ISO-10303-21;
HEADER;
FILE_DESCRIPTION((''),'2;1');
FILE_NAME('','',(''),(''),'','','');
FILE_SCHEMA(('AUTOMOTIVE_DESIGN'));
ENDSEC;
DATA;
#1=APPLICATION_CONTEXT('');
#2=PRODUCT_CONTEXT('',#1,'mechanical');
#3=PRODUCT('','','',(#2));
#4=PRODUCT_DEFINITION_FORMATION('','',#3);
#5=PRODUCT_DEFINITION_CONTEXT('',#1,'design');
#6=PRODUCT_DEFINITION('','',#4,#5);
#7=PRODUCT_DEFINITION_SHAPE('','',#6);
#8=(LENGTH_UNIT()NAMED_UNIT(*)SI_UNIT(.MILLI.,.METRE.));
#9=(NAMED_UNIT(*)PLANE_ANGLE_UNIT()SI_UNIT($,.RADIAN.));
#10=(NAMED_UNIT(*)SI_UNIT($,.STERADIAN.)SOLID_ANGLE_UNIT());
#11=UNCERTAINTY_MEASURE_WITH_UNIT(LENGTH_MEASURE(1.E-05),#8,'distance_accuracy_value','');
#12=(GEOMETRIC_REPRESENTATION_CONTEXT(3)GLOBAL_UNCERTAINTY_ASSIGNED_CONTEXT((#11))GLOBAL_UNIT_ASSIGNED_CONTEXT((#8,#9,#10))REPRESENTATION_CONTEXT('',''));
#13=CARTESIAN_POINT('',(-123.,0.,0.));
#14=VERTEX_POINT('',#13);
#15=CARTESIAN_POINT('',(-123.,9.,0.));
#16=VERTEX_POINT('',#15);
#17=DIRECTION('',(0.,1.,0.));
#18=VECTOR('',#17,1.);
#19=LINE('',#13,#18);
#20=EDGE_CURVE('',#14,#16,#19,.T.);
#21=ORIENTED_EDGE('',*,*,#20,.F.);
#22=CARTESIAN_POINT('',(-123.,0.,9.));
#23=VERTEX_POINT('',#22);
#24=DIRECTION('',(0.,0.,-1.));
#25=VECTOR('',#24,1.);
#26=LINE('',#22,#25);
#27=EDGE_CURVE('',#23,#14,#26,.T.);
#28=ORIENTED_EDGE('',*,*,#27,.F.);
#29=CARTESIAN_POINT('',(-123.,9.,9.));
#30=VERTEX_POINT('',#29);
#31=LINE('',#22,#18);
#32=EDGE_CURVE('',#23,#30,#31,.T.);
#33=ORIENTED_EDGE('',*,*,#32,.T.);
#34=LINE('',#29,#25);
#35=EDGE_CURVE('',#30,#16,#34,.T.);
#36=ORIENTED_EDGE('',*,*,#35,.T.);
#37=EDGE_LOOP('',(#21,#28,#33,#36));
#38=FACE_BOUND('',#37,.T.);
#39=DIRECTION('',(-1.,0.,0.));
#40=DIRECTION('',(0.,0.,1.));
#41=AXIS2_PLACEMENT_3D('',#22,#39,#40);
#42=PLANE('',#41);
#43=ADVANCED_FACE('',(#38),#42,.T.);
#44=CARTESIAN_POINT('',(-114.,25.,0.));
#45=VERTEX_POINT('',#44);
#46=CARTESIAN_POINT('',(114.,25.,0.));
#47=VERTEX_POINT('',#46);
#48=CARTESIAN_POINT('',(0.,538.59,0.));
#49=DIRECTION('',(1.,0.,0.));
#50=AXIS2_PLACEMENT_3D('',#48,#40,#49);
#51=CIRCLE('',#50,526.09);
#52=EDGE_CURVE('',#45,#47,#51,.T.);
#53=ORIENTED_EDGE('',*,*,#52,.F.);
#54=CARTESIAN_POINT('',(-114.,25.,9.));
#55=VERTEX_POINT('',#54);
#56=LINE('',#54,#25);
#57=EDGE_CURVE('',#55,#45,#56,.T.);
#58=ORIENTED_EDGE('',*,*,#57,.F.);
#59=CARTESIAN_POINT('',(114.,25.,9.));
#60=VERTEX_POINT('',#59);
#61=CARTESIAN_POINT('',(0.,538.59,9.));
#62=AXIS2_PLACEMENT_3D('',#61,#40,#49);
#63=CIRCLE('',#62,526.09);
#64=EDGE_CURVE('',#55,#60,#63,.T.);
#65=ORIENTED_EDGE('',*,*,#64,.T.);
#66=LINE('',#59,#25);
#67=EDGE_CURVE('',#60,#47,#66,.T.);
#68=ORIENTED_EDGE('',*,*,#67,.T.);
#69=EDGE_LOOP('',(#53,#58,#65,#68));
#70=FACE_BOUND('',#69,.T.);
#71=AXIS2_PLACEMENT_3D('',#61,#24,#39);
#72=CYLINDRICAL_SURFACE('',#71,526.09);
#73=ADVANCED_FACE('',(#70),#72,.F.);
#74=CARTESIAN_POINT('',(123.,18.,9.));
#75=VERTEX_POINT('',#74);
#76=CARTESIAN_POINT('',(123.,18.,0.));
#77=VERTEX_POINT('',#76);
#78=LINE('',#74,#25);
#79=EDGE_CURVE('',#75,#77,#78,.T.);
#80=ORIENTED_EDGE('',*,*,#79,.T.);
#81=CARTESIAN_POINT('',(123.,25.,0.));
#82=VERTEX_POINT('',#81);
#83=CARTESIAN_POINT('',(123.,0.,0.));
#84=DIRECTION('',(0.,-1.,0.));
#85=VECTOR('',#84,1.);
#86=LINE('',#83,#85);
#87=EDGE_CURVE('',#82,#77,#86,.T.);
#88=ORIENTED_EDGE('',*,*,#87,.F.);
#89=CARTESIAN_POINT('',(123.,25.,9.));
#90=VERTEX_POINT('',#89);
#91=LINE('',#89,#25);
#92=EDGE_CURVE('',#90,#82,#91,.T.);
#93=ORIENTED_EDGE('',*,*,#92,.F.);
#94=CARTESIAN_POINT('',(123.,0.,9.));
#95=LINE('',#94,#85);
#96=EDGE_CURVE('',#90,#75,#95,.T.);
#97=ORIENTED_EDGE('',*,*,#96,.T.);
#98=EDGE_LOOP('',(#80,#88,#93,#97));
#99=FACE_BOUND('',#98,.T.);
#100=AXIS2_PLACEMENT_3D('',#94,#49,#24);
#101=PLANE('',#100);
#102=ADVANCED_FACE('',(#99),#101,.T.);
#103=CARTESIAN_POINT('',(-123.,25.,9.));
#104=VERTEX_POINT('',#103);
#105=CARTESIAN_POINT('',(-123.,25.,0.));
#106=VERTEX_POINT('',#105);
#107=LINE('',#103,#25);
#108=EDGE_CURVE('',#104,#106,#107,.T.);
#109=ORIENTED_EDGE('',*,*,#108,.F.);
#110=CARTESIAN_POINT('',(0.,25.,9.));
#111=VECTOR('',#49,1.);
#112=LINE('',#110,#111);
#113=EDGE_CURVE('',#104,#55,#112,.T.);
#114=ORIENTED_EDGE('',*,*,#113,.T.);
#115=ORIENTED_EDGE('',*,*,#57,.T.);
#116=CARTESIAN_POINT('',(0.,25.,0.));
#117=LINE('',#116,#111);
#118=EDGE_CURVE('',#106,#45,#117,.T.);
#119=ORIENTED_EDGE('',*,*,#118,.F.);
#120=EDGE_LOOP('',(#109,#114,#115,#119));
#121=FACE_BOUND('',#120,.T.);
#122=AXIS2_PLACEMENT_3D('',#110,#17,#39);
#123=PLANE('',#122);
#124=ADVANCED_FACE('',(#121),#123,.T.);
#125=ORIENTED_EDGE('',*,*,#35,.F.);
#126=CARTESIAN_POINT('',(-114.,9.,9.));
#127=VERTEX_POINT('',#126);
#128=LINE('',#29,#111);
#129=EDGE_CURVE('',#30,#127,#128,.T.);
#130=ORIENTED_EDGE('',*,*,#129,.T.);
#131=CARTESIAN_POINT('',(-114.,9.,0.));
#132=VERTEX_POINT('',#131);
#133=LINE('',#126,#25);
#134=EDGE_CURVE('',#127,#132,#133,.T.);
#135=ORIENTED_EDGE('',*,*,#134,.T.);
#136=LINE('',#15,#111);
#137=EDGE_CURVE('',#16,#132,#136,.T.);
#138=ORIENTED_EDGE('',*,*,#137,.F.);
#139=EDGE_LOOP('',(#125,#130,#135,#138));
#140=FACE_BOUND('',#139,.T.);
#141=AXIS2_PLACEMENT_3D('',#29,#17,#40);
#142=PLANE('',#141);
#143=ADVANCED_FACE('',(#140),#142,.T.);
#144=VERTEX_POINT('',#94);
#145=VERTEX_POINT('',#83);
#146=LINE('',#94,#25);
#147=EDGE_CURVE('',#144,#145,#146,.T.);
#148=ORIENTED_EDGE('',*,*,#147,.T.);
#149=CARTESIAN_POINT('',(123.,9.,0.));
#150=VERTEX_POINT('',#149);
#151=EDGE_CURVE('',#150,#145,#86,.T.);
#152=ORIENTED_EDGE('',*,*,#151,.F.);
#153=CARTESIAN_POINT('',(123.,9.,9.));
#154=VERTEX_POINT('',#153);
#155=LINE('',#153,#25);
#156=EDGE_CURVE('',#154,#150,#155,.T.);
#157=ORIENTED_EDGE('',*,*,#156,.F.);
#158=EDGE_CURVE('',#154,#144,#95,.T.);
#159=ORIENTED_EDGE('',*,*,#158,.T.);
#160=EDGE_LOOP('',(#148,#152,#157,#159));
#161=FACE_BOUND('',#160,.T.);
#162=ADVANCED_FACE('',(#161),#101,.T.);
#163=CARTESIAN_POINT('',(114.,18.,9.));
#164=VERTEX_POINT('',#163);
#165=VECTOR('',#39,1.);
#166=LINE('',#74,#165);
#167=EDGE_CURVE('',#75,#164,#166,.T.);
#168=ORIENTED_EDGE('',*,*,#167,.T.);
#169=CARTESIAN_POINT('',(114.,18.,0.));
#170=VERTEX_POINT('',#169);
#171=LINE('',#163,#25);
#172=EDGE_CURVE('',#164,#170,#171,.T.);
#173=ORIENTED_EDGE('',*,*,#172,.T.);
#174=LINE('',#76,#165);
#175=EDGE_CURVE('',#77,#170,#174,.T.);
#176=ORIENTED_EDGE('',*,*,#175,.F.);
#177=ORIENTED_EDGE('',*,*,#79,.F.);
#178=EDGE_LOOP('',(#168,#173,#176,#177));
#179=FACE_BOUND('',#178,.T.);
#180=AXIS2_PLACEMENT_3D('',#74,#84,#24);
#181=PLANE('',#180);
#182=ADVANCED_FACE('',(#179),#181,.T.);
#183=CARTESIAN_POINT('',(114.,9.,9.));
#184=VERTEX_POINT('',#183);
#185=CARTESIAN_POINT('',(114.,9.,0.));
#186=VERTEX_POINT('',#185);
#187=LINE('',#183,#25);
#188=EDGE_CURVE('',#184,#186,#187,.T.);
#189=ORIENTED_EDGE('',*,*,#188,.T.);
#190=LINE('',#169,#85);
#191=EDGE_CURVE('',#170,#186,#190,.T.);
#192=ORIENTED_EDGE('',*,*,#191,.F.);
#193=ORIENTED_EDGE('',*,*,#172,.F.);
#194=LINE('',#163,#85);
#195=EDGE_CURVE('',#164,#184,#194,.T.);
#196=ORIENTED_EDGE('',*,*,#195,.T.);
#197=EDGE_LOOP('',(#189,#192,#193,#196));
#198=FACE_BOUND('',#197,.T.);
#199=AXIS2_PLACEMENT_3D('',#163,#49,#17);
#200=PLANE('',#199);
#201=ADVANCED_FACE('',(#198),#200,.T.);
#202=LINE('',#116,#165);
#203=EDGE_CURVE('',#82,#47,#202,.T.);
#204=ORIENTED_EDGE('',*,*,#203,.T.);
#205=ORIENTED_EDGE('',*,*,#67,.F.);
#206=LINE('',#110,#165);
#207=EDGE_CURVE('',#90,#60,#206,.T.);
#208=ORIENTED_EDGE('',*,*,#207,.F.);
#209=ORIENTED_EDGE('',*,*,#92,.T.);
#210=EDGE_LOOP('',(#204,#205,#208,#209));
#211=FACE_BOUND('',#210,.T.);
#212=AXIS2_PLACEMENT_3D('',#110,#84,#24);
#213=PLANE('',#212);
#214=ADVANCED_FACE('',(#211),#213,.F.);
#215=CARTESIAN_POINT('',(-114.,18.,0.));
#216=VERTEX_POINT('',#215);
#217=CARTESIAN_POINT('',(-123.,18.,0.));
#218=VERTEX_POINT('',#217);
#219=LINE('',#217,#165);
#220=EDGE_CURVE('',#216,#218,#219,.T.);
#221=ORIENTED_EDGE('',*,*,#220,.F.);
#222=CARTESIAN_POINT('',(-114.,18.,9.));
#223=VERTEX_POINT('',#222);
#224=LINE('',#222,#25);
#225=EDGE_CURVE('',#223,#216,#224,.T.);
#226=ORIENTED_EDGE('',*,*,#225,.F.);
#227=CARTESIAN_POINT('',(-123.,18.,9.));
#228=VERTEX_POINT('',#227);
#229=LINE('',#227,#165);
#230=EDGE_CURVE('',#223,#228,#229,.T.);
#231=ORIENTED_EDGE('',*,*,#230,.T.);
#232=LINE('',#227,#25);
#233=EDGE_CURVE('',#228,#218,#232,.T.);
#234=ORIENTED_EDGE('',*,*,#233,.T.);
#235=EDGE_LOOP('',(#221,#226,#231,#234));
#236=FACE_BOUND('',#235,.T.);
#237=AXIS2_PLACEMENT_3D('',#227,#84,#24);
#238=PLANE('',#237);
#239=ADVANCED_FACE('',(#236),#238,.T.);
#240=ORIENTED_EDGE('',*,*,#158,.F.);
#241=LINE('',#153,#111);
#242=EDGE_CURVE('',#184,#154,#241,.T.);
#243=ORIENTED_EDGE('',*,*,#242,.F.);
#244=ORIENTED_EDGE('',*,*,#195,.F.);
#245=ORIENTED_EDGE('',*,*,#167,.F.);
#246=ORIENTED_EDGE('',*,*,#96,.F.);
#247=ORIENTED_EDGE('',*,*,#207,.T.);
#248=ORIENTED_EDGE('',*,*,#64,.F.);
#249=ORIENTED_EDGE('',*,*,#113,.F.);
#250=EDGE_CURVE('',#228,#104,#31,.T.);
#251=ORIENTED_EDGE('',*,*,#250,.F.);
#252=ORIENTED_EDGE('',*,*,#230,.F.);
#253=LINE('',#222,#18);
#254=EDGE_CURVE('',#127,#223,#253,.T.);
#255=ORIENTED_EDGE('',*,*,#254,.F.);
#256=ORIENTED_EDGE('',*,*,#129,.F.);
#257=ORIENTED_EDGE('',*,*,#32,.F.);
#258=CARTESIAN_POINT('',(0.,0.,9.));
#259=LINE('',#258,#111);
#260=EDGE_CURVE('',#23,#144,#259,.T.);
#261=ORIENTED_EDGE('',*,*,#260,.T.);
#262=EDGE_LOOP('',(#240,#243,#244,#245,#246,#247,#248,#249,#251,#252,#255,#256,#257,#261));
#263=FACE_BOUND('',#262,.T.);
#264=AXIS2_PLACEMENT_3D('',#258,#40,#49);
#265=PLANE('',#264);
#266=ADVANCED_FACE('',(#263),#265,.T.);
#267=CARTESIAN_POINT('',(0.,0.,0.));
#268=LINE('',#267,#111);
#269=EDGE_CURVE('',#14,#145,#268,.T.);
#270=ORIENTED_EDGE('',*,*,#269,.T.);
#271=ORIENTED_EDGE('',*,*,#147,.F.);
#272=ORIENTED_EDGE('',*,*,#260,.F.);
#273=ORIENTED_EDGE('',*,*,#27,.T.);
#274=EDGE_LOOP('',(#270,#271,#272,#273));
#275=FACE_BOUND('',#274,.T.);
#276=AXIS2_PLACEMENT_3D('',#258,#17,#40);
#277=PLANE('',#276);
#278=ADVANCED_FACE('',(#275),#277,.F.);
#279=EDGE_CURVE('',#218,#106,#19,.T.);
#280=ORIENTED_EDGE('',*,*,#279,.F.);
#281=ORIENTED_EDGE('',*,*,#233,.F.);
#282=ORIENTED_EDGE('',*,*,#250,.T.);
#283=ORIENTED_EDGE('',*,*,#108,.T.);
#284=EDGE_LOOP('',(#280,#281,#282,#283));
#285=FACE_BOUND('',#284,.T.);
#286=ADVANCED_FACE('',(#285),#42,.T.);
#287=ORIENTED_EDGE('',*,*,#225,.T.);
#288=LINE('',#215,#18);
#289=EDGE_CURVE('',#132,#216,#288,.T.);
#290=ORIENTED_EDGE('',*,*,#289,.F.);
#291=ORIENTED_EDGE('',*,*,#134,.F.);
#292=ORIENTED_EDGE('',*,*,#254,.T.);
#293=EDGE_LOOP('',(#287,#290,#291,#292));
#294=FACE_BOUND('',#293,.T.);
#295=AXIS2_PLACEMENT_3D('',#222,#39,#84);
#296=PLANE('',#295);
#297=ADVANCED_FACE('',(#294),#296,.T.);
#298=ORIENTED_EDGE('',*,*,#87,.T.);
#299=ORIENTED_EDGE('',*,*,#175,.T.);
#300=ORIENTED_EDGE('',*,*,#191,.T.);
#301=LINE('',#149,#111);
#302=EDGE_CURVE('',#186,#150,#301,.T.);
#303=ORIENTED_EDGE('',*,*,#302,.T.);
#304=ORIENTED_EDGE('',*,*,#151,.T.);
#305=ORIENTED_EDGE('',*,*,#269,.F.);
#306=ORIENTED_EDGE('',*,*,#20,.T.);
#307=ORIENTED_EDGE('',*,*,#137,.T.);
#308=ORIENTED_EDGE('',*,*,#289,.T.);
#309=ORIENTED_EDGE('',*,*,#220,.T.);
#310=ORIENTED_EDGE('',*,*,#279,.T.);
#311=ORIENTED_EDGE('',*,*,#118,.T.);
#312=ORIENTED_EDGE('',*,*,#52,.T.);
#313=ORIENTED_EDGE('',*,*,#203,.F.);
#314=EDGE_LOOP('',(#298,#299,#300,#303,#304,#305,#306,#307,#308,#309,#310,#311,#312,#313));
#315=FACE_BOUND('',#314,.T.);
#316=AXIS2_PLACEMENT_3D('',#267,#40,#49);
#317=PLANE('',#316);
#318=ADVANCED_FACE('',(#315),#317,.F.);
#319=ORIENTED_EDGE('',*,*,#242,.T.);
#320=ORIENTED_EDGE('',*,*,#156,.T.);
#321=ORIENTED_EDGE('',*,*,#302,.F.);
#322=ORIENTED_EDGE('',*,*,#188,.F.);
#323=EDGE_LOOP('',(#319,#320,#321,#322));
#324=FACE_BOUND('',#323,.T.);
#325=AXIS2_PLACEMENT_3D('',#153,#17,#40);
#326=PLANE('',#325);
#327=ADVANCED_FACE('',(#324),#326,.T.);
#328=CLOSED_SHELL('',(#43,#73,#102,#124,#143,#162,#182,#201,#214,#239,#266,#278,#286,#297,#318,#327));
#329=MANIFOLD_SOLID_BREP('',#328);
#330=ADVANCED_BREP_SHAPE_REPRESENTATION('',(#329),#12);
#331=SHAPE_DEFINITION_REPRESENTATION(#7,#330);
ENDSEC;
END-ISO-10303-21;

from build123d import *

# Parameters (mm, degrees)
BOSS_EXTRUDE2_DEPTH = 9
SKETCH2_W           = 9
SKETCH2_H           = 9
CUT_EXTRUDE1_DEPTH  = 126.837196409


with BuildPart() as part:
    # Sketch1 → Boss-Extrude2 (new body)
    with BuildSketch(Plane.XY):
        with BuildLine():
            Line((-123, 25), (-123, 0))
            Line((-123, 0), (123, 0))
            Line((123, 0), (123, 25))
            Line((123, 25), (114, 25))
            ThreePointArc((114, 25), (0, 12.5), (-114, 25))
            Line((-114, 25), (-123, 25))
        make_face()
    extrude(amount=BOSS_EXTRUDE2_DEPTH)

    # Sketch2 → Cut-Extrude1 (cut, through all)
    with BuildSketch(Plane.XY):
        with Locations((118.5, 13.5)):
            Rectangle(SKETCH2_W, SKETCH2_H)
        with Locations((-118.5, 13.5)):
            Rectangle(SKETCH2_W, SKETCH2_H)
    extrude(amount=CUT_EXTRUDE1_DEPTH, mode=Mode.SUBTRACT)


solid = part.part
